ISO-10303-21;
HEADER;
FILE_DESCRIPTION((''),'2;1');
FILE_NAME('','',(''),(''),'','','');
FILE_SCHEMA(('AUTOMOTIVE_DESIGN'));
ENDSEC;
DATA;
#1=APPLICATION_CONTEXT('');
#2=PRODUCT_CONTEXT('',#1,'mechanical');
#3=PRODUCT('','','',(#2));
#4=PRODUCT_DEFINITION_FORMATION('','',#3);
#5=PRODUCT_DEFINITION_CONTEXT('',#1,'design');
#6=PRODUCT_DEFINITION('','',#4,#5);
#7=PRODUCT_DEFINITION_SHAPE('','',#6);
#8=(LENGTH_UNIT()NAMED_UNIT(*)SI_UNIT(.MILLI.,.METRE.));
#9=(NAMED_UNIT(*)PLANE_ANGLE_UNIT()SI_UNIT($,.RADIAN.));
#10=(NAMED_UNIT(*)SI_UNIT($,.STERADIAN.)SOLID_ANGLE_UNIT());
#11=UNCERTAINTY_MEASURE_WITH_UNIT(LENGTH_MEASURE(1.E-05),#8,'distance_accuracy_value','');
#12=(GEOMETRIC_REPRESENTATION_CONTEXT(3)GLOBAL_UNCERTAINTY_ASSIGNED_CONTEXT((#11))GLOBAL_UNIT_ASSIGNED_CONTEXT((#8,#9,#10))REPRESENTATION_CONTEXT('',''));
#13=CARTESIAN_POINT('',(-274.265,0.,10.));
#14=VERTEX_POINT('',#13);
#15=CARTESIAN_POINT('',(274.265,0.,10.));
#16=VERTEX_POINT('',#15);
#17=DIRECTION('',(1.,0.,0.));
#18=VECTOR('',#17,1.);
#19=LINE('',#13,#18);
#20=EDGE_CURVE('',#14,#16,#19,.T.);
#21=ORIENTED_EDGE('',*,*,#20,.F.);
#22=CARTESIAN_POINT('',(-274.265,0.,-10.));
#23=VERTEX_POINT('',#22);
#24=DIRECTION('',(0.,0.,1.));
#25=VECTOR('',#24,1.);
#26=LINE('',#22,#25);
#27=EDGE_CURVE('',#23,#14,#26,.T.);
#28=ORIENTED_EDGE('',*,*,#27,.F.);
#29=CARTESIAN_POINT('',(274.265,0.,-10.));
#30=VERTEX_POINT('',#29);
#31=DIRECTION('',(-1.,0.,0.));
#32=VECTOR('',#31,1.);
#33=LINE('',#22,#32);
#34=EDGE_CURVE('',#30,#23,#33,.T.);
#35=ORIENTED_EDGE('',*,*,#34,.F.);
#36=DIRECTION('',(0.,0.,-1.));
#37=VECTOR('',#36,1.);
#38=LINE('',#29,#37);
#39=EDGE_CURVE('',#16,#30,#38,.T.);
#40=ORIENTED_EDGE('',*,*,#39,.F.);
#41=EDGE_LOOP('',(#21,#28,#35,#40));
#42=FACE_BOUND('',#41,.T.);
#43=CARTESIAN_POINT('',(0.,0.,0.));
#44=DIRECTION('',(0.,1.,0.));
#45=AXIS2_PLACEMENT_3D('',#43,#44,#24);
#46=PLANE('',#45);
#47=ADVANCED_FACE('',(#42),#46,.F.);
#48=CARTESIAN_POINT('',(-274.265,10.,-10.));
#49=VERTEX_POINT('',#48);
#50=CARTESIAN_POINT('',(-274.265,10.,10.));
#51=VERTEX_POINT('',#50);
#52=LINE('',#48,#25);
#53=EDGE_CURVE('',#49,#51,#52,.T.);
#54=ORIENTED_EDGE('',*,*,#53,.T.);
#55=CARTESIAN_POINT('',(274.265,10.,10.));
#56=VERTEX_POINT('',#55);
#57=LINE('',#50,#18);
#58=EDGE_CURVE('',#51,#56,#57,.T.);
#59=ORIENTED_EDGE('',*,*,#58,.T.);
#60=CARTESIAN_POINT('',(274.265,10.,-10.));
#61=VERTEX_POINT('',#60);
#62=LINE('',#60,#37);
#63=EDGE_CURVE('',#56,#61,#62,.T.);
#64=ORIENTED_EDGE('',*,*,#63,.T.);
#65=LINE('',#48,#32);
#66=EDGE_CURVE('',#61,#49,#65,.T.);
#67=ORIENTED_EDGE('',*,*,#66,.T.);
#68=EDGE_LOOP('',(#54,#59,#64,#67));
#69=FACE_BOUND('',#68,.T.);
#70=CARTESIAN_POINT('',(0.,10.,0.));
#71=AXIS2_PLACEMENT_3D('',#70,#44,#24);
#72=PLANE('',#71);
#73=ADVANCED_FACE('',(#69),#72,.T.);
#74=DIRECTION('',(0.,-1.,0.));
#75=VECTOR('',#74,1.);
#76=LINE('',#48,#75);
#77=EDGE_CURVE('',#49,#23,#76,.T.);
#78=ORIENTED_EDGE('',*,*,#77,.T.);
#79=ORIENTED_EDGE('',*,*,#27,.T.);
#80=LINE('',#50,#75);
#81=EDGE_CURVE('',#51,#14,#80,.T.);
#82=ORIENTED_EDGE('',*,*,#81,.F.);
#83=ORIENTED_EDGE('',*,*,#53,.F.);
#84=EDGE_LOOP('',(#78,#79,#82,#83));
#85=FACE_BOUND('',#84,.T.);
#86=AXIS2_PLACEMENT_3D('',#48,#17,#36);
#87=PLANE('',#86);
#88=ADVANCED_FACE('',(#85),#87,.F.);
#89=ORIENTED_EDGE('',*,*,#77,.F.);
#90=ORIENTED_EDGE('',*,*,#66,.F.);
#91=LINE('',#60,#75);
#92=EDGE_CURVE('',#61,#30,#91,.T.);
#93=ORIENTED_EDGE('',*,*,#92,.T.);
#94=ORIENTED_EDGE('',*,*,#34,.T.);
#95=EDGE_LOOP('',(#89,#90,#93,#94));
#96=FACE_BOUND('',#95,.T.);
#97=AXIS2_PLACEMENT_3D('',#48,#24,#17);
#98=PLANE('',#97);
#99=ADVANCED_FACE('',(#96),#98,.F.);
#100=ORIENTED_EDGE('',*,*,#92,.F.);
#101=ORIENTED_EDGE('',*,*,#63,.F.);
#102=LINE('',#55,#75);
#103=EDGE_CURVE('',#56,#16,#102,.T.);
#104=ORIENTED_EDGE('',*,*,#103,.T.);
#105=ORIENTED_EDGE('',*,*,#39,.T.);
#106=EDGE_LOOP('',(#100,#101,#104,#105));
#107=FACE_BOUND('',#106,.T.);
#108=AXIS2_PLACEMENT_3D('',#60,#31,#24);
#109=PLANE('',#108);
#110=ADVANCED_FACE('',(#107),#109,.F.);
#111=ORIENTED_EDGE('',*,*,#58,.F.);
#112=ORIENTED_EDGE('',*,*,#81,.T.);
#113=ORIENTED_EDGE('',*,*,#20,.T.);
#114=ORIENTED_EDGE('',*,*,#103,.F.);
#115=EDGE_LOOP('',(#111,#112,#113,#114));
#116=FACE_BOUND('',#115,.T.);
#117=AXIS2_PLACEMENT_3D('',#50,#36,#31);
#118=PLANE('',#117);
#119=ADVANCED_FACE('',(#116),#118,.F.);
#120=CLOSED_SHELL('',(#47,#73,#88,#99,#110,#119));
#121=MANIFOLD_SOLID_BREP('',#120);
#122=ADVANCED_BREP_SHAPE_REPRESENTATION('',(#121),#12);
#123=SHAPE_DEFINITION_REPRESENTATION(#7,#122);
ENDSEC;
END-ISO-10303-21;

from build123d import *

# Parameters (mm, degrees)
SKETCH1_W           = 548.53
SKETCH1_H           = 20
BOSS_EXTRUDE1_DEPTH = 10


with BuildPart() as part:
    # Sketch1 → Boss-Extrude1 (new body)
    with BuildSketch(Plane(origin=(0, 0, 0), x_dir=(1, 0, 0), z_dir=(0, 1, 0))):
        Rectangle(SKETCH1_W, SKETCH1_H)
    extrude(amount=BOSS_EXTRUDE1_DEPTH)


solid = part.part
